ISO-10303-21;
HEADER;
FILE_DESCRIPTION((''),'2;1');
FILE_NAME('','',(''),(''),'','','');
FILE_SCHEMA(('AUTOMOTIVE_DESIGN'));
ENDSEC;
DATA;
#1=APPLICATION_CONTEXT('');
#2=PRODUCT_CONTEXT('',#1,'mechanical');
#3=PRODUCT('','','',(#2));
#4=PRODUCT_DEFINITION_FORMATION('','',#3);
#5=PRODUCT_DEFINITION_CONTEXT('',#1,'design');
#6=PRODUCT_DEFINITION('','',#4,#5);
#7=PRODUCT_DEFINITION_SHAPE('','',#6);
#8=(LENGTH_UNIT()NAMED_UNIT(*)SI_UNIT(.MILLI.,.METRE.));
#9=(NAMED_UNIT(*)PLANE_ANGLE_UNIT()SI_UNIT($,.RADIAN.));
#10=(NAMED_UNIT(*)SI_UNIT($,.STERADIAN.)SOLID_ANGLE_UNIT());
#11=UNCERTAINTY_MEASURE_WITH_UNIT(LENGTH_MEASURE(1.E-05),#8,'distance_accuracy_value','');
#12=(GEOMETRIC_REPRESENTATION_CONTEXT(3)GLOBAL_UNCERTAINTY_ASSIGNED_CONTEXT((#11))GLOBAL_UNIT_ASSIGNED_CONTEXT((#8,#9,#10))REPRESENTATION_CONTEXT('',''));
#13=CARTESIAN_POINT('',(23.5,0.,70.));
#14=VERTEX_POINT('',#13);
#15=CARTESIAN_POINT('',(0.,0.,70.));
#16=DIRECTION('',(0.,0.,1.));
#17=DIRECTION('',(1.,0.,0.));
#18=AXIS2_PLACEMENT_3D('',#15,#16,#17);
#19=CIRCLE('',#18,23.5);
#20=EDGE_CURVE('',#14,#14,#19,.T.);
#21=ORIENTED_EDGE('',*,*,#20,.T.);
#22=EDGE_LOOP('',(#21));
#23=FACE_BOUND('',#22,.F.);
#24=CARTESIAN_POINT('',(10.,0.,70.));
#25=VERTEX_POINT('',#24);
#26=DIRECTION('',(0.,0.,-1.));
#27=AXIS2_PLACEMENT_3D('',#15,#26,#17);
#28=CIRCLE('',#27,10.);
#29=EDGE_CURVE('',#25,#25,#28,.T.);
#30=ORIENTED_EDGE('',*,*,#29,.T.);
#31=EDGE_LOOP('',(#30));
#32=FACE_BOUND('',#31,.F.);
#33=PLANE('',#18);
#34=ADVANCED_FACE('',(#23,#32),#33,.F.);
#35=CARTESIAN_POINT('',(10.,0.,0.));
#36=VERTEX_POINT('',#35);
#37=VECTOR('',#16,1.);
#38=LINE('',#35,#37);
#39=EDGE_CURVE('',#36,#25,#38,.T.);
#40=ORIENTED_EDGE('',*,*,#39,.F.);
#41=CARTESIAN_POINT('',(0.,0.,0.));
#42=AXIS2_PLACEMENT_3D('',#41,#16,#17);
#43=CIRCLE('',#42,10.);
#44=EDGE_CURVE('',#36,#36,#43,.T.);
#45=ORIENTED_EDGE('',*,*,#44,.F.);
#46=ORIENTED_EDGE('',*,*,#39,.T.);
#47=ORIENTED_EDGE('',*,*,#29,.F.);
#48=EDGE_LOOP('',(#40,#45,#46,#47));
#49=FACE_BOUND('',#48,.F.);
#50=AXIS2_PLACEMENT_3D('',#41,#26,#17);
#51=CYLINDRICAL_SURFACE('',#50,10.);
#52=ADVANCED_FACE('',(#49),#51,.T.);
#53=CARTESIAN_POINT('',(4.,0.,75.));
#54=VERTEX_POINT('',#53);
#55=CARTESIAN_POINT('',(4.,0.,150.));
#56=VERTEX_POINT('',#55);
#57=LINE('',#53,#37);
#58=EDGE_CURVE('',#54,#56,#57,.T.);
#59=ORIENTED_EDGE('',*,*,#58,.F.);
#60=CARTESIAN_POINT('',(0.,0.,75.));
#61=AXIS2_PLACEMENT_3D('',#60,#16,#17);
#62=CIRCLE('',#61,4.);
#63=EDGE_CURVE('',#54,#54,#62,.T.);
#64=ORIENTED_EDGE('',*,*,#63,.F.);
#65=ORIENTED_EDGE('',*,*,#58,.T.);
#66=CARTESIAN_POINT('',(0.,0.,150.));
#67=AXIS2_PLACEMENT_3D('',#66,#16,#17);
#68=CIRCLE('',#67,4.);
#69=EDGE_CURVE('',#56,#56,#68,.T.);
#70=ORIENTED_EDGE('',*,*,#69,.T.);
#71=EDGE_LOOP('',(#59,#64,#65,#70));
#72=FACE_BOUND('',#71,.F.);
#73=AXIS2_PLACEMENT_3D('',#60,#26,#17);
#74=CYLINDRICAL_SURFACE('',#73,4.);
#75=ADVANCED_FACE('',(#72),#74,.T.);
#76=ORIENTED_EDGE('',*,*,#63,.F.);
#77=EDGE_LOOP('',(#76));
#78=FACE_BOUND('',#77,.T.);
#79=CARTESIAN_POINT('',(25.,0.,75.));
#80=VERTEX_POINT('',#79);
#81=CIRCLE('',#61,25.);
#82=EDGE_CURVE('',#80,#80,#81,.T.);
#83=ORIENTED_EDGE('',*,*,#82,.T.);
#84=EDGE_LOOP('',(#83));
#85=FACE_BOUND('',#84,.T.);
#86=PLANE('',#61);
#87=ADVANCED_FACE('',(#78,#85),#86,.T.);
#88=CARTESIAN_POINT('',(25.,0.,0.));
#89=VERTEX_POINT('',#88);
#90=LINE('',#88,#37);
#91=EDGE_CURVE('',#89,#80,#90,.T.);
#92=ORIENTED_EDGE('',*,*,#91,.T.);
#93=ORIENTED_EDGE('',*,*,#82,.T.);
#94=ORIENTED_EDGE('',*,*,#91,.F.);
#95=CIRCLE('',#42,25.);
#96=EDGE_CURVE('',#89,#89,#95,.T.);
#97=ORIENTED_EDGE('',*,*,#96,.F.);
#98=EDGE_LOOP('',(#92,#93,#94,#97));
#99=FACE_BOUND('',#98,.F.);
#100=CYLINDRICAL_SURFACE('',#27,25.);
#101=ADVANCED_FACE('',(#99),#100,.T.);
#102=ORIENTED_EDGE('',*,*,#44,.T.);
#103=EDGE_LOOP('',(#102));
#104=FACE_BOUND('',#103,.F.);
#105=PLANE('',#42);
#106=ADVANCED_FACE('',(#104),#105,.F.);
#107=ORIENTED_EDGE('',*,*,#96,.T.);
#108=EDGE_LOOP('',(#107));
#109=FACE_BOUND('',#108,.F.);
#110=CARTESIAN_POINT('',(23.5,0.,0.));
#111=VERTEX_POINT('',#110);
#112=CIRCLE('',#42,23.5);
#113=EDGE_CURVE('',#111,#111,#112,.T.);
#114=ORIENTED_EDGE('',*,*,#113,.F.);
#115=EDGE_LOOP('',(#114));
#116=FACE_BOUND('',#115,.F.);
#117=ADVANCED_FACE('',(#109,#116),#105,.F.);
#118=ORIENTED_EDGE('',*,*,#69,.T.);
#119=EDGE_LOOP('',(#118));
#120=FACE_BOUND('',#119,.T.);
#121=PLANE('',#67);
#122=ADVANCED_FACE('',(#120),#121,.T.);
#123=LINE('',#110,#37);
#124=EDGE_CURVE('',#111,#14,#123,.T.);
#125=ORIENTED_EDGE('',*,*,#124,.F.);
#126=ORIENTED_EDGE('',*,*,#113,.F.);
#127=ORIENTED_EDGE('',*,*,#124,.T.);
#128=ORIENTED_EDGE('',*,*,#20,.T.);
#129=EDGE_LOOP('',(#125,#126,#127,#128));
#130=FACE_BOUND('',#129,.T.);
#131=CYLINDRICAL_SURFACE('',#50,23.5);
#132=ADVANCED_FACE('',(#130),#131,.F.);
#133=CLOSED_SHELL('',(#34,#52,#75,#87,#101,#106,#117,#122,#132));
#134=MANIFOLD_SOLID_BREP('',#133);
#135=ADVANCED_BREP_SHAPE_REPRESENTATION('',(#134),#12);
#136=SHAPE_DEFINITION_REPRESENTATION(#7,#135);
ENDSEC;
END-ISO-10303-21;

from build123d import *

# Parameters (mm, degrees)
F0_R     = 25
F0_R_2   = 23.5
F1_DEPTH = 70
F2_R     = 25
F3_DEPTH = 5
F4_R     = 4
F5_DEPTH = 75
F0_R_3   = 10
F6_DEPTH = 75


with BuildPart() as f1:
    # F0 (on Top) → F1 (new body)
    with BuildSketch(Plane.XY):
        Circle(F0_R)
        Circle(F0_R_2, mode=Mode.SUBTRACT)
    extrude(amount=F1_DEPTH)

    # F2 (on face) → F3 (join)
    with BuildSketch(Plane.XY.offset(70)):
        Circle(F2_R)
    extrude(amount=F3_DEPTH)

    # F4 (on face) → F5 (join)
    with BuildSketch(Plane.XY.offset(75)):
        Circle(F4_R)
    extrude(amount=F5_DEPTH)

    # F0 (on Top) → F6 (join)
    with BuildSketch(Plane.XY):
        Circle(F0_R_3)
    extrude(amount=F6_DEPTH)


solid = f1.part
